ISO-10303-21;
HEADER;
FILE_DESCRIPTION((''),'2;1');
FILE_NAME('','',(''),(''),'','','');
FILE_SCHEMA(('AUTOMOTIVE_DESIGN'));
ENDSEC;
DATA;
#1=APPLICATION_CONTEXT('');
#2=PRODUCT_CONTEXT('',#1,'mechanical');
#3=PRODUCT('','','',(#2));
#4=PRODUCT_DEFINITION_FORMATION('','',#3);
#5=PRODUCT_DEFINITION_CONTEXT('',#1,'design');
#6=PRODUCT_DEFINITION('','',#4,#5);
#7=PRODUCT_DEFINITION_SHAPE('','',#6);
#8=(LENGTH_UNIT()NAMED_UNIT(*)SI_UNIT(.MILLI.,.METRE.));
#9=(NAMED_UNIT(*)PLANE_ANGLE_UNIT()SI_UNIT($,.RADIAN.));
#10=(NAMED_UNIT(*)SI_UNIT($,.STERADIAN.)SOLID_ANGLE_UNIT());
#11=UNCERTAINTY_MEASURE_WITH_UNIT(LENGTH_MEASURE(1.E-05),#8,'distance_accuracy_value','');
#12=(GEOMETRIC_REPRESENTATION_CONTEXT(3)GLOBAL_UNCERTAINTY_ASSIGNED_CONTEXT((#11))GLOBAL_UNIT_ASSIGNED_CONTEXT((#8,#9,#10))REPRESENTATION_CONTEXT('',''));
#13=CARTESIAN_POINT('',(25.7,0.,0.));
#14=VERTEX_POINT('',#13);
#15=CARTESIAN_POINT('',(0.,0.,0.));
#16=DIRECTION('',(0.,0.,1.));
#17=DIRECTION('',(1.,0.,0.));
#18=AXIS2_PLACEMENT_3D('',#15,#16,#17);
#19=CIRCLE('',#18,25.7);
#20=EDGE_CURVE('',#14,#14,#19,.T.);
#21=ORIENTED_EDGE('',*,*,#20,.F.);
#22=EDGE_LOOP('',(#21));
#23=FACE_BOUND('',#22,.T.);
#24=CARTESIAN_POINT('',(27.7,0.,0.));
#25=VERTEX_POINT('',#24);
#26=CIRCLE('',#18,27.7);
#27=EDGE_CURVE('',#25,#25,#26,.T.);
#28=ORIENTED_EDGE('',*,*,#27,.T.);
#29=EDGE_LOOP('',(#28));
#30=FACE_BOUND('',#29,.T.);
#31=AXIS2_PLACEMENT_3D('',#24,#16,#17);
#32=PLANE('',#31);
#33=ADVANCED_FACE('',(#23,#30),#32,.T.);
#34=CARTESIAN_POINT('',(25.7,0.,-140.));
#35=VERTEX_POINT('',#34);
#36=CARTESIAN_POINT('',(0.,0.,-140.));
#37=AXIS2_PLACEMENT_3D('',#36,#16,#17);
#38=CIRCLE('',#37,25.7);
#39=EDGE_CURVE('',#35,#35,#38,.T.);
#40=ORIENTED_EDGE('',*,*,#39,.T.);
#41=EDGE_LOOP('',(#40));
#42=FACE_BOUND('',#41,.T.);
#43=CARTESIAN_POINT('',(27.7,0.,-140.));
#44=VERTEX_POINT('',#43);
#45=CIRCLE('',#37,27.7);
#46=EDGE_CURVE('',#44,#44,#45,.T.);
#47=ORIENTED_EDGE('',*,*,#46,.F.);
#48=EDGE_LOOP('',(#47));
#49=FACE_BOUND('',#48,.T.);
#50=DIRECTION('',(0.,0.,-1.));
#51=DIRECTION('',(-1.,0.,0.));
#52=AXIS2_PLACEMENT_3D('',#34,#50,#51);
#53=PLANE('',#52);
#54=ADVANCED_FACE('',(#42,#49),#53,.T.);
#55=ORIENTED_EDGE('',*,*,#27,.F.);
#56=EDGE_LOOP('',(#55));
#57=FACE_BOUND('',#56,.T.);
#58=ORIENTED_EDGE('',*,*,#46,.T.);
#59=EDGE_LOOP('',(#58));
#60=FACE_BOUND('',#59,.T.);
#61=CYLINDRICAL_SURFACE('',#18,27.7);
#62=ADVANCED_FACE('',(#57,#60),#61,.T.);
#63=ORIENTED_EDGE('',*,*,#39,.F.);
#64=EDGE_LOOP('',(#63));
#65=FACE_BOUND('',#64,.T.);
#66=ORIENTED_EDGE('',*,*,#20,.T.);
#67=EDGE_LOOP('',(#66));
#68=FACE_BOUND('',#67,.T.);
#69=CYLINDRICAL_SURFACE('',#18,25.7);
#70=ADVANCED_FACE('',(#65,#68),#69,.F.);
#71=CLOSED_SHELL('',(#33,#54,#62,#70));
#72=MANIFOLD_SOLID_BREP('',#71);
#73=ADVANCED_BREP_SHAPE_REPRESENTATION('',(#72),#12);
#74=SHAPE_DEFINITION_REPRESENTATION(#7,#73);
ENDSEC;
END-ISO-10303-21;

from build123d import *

# Parameters (mm, degrees)
ESBO_O1_W = 2
ESBO_O1_H = 140


with BuildPart() as part:
    # Esboço1 → Revolução2 (revolve)
    with BuildSketch(Plane(origin=(0, 0, 0), x_dir=(1, 0, 0), z_dir=(0, 1, 0))):
        with Locations((26.7, 70)):
            Rectangle(ESBO_O1_W, ESBO_O1_H)
    revolve(axis=Axis((0, 0, 0), (0, 0, -1)))


solid = part.part
